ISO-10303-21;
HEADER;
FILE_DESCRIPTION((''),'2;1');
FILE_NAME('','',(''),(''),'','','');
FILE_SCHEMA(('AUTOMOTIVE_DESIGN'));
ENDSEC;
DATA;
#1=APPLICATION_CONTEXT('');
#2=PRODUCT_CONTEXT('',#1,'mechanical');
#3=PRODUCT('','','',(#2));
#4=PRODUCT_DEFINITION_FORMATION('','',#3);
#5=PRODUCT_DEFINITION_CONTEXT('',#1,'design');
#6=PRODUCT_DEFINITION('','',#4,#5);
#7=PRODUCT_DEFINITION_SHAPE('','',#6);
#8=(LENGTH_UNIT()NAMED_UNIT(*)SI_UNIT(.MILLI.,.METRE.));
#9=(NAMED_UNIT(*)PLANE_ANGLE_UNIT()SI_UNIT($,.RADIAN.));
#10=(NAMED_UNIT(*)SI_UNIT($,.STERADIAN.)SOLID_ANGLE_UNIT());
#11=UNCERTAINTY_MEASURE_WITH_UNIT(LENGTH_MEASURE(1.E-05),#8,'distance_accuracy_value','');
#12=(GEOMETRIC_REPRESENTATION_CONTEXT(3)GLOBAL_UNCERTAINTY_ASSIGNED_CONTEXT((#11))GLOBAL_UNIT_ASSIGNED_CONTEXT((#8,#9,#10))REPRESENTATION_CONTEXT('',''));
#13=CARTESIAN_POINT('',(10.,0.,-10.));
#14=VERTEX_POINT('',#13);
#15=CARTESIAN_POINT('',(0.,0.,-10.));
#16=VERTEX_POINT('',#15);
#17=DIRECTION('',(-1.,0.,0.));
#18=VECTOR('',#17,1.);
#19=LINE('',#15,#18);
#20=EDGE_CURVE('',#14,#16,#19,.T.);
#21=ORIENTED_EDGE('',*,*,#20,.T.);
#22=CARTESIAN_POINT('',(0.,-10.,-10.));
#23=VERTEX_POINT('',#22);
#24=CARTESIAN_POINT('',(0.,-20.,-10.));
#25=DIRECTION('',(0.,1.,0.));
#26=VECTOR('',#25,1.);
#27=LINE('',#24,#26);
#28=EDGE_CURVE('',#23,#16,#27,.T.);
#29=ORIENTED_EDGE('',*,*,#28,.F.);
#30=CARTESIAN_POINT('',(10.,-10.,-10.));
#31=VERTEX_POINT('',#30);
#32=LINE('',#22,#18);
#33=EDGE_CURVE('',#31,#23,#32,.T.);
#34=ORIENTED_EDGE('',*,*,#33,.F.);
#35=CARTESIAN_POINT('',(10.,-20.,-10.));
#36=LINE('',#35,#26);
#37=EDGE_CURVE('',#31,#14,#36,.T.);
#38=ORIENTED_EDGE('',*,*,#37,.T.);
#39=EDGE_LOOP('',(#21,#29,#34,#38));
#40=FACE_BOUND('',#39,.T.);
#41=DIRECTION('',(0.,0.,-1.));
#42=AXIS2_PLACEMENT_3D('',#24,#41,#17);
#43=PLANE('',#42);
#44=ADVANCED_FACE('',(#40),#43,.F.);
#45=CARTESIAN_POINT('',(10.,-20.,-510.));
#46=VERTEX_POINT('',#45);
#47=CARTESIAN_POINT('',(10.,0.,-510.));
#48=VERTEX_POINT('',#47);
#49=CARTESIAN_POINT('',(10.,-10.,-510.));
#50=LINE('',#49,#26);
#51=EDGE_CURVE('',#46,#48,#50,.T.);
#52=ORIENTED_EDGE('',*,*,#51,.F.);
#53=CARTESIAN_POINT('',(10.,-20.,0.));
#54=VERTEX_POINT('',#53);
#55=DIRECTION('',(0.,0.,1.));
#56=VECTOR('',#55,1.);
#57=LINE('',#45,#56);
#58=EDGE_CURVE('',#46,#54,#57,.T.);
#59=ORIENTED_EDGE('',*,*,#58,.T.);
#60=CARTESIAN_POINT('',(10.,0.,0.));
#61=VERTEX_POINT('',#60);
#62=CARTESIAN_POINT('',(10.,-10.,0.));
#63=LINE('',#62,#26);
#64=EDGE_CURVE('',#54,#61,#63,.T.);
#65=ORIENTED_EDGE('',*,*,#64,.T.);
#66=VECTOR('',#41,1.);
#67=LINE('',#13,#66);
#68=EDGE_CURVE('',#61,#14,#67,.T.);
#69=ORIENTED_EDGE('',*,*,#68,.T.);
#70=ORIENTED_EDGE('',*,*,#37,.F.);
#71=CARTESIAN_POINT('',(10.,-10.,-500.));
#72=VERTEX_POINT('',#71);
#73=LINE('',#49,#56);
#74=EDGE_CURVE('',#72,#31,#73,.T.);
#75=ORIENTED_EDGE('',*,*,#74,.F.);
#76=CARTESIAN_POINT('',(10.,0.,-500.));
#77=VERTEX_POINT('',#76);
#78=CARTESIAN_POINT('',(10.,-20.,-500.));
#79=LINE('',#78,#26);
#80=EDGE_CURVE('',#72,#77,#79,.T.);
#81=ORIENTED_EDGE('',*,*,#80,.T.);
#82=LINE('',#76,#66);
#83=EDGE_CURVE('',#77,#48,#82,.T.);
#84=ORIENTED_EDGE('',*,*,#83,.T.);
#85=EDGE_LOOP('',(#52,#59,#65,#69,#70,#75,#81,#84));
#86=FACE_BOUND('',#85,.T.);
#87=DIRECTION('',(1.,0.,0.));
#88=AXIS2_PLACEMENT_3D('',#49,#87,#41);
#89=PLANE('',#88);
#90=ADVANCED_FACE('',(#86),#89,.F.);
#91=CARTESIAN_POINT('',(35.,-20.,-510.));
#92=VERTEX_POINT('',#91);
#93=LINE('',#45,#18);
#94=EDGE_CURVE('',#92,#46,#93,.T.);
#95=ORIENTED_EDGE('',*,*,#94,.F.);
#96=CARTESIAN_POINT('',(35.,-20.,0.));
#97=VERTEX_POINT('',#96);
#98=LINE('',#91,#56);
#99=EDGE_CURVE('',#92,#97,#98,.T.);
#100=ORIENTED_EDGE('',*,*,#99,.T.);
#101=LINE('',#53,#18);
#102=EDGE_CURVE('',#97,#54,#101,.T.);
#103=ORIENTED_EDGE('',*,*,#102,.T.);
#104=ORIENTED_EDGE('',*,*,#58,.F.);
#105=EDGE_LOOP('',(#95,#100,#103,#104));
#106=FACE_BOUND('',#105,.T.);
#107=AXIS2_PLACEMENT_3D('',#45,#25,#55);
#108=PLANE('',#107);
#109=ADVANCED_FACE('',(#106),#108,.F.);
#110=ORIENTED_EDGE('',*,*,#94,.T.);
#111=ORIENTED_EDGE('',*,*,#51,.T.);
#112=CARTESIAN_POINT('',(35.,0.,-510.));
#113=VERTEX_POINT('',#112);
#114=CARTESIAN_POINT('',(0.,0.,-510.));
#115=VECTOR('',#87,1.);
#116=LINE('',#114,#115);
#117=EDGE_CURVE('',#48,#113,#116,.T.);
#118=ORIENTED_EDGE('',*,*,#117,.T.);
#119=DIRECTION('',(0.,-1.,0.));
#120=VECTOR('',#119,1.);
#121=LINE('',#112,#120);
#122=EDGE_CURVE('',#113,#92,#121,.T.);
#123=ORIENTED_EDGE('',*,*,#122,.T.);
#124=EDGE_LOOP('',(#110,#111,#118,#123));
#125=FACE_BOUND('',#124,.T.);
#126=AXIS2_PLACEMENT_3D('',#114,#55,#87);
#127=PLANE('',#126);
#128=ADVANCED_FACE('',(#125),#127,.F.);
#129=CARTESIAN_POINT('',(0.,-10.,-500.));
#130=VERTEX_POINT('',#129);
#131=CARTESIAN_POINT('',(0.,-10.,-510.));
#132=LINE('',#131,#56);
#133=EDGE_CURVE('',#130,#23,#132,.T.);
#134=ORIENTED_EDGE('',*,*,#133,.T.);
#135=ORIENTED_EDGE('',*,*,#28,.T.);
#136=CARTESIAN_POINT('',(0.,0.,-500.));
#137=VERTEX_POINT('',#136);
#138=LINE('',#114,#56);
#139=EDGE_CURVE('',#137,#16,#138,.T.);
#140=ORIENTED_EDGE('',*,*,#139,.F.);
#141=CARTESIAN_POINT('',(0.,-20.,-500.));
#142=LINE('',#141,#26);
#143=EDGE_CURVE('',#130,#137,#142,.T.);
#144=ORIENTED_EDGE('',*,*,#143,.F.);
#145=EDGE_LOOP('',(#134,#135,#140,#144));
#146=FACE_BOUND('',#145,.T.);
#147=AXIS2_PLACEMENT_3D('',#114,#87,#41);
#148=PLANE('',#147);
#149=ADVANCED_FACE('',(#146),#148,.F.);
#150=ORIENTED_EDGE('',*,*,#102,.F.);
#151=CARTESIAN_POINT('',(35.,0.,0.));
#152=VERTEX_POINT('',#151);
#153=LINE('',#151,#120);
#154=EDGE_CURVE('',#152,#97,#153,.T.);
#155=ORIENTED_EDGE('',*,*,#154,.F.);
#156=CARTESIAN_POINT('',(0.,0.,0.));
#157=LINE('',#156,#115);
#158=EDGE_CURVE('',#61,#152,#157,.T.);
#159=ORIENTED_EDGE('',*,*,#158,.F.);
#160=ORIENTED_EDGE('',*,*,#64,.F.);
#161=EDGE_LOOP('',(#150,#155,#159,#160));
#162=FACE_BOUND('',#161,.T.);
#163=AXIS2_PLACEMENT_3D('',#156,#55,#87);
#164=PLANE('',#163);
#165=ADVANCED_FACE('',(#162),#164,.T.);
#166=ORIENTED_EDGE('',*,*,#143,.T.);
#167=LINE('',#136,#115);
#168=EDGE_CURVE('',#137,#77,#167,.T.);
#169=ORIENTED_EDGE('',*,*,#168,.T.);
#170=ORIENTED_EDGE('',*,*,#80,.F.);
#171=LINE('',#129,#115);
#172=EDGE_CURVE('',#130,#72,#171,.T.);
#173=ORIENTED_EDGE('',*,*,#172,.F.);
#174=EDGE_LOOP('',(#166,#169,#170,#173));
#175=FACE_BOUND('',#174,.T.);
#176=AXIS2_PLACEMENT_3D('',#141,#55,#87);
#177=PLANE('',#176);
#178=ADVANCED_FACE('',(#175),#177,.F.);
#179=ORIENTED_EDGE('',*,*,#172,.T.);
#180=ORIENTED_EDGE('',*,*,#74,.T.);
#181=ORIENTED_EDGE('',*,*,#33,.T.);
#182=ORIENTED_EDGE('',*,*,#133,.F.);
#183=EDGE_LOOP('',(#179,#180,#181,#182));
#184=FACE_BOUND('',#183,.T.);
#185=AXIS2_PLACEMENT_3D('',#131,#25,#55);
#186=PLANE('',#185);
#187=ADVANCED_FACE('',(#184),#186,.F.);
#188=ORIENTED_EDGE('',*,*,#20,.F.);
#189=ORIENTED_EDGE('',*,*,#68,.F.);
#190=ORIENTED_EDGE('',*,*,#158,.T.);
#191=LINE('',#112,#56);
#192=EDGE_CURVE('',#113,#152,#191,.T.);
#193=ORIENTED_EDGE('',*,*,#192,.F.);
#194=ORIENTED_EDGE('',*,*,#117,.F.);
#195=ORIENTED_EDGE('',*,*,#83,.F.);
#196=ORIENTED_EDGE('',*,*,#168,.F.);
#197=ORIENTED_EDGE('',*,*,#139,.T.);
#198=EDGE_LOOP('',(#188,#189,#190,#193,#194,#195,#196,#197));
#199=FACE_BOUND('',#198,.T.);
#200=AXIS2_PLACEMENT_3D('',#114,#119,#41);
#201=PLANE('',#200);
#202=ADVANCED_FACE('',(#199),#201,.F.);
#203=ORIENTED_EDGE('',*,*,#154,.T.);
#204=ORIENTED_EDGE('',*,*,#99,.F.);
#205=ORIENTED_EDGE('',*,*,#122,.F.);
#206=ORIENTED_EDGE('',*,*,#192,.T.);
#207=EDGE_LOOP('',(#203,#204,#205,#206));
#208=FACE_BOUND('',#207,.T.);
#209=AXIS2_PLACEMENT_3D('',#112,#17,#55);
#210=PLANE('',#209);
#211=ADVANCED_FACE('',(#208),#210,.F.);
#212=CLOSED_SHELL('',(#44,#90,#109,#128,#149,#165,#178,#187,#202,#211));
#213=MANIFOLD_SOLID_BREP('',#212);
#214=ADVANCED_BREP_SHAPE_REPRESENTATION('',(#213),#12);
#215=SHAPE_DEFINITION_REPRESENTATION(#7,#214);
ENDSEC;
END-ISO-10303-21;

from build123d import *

# Parameters (mm, degrees)
EXTRUDE_1_DEPTH     = 510
SKETCH_2_W          = 10
SKETCH_2_H          = 10
CUT_EXTRUDE_1_DEPTH = 512.590656678


with BuildPart() as part:
    # Эскиз1 → Бобышка-Вытянуть1 (new body)
    with BuildSketch(Plane(origin=(0, 0, 0), x_dir=(1, 0, 0), z_dir=(0, 0, -1))):
        Polygon((0, 10), (10, 10), (10, 20), (35, 20), (35, 0), (0, 0), align=None)
    extrude(amount=EXTRUDE_1_DEPTH)

    # Эскиз2 → Вырез-Вытянуть1 (cut, through all)
    with BuildSketch(Plane(origin=(0, 0, 0), x_dir=(1, 0, 0), z_dir=(0, 1, 0))):
        with Locations((5, 505)):
            Rectangle(SKETCH_2_W, SKETCH_2_H)
        with Locations((5, 5)):
            Rectangle(SKETCH_2_W, SKETCH_2_H)
    extrude(amount=-CUT_EXTRUDE_1_DEPTH, mode=Mode.SUBTRACT)


solid = part.part
